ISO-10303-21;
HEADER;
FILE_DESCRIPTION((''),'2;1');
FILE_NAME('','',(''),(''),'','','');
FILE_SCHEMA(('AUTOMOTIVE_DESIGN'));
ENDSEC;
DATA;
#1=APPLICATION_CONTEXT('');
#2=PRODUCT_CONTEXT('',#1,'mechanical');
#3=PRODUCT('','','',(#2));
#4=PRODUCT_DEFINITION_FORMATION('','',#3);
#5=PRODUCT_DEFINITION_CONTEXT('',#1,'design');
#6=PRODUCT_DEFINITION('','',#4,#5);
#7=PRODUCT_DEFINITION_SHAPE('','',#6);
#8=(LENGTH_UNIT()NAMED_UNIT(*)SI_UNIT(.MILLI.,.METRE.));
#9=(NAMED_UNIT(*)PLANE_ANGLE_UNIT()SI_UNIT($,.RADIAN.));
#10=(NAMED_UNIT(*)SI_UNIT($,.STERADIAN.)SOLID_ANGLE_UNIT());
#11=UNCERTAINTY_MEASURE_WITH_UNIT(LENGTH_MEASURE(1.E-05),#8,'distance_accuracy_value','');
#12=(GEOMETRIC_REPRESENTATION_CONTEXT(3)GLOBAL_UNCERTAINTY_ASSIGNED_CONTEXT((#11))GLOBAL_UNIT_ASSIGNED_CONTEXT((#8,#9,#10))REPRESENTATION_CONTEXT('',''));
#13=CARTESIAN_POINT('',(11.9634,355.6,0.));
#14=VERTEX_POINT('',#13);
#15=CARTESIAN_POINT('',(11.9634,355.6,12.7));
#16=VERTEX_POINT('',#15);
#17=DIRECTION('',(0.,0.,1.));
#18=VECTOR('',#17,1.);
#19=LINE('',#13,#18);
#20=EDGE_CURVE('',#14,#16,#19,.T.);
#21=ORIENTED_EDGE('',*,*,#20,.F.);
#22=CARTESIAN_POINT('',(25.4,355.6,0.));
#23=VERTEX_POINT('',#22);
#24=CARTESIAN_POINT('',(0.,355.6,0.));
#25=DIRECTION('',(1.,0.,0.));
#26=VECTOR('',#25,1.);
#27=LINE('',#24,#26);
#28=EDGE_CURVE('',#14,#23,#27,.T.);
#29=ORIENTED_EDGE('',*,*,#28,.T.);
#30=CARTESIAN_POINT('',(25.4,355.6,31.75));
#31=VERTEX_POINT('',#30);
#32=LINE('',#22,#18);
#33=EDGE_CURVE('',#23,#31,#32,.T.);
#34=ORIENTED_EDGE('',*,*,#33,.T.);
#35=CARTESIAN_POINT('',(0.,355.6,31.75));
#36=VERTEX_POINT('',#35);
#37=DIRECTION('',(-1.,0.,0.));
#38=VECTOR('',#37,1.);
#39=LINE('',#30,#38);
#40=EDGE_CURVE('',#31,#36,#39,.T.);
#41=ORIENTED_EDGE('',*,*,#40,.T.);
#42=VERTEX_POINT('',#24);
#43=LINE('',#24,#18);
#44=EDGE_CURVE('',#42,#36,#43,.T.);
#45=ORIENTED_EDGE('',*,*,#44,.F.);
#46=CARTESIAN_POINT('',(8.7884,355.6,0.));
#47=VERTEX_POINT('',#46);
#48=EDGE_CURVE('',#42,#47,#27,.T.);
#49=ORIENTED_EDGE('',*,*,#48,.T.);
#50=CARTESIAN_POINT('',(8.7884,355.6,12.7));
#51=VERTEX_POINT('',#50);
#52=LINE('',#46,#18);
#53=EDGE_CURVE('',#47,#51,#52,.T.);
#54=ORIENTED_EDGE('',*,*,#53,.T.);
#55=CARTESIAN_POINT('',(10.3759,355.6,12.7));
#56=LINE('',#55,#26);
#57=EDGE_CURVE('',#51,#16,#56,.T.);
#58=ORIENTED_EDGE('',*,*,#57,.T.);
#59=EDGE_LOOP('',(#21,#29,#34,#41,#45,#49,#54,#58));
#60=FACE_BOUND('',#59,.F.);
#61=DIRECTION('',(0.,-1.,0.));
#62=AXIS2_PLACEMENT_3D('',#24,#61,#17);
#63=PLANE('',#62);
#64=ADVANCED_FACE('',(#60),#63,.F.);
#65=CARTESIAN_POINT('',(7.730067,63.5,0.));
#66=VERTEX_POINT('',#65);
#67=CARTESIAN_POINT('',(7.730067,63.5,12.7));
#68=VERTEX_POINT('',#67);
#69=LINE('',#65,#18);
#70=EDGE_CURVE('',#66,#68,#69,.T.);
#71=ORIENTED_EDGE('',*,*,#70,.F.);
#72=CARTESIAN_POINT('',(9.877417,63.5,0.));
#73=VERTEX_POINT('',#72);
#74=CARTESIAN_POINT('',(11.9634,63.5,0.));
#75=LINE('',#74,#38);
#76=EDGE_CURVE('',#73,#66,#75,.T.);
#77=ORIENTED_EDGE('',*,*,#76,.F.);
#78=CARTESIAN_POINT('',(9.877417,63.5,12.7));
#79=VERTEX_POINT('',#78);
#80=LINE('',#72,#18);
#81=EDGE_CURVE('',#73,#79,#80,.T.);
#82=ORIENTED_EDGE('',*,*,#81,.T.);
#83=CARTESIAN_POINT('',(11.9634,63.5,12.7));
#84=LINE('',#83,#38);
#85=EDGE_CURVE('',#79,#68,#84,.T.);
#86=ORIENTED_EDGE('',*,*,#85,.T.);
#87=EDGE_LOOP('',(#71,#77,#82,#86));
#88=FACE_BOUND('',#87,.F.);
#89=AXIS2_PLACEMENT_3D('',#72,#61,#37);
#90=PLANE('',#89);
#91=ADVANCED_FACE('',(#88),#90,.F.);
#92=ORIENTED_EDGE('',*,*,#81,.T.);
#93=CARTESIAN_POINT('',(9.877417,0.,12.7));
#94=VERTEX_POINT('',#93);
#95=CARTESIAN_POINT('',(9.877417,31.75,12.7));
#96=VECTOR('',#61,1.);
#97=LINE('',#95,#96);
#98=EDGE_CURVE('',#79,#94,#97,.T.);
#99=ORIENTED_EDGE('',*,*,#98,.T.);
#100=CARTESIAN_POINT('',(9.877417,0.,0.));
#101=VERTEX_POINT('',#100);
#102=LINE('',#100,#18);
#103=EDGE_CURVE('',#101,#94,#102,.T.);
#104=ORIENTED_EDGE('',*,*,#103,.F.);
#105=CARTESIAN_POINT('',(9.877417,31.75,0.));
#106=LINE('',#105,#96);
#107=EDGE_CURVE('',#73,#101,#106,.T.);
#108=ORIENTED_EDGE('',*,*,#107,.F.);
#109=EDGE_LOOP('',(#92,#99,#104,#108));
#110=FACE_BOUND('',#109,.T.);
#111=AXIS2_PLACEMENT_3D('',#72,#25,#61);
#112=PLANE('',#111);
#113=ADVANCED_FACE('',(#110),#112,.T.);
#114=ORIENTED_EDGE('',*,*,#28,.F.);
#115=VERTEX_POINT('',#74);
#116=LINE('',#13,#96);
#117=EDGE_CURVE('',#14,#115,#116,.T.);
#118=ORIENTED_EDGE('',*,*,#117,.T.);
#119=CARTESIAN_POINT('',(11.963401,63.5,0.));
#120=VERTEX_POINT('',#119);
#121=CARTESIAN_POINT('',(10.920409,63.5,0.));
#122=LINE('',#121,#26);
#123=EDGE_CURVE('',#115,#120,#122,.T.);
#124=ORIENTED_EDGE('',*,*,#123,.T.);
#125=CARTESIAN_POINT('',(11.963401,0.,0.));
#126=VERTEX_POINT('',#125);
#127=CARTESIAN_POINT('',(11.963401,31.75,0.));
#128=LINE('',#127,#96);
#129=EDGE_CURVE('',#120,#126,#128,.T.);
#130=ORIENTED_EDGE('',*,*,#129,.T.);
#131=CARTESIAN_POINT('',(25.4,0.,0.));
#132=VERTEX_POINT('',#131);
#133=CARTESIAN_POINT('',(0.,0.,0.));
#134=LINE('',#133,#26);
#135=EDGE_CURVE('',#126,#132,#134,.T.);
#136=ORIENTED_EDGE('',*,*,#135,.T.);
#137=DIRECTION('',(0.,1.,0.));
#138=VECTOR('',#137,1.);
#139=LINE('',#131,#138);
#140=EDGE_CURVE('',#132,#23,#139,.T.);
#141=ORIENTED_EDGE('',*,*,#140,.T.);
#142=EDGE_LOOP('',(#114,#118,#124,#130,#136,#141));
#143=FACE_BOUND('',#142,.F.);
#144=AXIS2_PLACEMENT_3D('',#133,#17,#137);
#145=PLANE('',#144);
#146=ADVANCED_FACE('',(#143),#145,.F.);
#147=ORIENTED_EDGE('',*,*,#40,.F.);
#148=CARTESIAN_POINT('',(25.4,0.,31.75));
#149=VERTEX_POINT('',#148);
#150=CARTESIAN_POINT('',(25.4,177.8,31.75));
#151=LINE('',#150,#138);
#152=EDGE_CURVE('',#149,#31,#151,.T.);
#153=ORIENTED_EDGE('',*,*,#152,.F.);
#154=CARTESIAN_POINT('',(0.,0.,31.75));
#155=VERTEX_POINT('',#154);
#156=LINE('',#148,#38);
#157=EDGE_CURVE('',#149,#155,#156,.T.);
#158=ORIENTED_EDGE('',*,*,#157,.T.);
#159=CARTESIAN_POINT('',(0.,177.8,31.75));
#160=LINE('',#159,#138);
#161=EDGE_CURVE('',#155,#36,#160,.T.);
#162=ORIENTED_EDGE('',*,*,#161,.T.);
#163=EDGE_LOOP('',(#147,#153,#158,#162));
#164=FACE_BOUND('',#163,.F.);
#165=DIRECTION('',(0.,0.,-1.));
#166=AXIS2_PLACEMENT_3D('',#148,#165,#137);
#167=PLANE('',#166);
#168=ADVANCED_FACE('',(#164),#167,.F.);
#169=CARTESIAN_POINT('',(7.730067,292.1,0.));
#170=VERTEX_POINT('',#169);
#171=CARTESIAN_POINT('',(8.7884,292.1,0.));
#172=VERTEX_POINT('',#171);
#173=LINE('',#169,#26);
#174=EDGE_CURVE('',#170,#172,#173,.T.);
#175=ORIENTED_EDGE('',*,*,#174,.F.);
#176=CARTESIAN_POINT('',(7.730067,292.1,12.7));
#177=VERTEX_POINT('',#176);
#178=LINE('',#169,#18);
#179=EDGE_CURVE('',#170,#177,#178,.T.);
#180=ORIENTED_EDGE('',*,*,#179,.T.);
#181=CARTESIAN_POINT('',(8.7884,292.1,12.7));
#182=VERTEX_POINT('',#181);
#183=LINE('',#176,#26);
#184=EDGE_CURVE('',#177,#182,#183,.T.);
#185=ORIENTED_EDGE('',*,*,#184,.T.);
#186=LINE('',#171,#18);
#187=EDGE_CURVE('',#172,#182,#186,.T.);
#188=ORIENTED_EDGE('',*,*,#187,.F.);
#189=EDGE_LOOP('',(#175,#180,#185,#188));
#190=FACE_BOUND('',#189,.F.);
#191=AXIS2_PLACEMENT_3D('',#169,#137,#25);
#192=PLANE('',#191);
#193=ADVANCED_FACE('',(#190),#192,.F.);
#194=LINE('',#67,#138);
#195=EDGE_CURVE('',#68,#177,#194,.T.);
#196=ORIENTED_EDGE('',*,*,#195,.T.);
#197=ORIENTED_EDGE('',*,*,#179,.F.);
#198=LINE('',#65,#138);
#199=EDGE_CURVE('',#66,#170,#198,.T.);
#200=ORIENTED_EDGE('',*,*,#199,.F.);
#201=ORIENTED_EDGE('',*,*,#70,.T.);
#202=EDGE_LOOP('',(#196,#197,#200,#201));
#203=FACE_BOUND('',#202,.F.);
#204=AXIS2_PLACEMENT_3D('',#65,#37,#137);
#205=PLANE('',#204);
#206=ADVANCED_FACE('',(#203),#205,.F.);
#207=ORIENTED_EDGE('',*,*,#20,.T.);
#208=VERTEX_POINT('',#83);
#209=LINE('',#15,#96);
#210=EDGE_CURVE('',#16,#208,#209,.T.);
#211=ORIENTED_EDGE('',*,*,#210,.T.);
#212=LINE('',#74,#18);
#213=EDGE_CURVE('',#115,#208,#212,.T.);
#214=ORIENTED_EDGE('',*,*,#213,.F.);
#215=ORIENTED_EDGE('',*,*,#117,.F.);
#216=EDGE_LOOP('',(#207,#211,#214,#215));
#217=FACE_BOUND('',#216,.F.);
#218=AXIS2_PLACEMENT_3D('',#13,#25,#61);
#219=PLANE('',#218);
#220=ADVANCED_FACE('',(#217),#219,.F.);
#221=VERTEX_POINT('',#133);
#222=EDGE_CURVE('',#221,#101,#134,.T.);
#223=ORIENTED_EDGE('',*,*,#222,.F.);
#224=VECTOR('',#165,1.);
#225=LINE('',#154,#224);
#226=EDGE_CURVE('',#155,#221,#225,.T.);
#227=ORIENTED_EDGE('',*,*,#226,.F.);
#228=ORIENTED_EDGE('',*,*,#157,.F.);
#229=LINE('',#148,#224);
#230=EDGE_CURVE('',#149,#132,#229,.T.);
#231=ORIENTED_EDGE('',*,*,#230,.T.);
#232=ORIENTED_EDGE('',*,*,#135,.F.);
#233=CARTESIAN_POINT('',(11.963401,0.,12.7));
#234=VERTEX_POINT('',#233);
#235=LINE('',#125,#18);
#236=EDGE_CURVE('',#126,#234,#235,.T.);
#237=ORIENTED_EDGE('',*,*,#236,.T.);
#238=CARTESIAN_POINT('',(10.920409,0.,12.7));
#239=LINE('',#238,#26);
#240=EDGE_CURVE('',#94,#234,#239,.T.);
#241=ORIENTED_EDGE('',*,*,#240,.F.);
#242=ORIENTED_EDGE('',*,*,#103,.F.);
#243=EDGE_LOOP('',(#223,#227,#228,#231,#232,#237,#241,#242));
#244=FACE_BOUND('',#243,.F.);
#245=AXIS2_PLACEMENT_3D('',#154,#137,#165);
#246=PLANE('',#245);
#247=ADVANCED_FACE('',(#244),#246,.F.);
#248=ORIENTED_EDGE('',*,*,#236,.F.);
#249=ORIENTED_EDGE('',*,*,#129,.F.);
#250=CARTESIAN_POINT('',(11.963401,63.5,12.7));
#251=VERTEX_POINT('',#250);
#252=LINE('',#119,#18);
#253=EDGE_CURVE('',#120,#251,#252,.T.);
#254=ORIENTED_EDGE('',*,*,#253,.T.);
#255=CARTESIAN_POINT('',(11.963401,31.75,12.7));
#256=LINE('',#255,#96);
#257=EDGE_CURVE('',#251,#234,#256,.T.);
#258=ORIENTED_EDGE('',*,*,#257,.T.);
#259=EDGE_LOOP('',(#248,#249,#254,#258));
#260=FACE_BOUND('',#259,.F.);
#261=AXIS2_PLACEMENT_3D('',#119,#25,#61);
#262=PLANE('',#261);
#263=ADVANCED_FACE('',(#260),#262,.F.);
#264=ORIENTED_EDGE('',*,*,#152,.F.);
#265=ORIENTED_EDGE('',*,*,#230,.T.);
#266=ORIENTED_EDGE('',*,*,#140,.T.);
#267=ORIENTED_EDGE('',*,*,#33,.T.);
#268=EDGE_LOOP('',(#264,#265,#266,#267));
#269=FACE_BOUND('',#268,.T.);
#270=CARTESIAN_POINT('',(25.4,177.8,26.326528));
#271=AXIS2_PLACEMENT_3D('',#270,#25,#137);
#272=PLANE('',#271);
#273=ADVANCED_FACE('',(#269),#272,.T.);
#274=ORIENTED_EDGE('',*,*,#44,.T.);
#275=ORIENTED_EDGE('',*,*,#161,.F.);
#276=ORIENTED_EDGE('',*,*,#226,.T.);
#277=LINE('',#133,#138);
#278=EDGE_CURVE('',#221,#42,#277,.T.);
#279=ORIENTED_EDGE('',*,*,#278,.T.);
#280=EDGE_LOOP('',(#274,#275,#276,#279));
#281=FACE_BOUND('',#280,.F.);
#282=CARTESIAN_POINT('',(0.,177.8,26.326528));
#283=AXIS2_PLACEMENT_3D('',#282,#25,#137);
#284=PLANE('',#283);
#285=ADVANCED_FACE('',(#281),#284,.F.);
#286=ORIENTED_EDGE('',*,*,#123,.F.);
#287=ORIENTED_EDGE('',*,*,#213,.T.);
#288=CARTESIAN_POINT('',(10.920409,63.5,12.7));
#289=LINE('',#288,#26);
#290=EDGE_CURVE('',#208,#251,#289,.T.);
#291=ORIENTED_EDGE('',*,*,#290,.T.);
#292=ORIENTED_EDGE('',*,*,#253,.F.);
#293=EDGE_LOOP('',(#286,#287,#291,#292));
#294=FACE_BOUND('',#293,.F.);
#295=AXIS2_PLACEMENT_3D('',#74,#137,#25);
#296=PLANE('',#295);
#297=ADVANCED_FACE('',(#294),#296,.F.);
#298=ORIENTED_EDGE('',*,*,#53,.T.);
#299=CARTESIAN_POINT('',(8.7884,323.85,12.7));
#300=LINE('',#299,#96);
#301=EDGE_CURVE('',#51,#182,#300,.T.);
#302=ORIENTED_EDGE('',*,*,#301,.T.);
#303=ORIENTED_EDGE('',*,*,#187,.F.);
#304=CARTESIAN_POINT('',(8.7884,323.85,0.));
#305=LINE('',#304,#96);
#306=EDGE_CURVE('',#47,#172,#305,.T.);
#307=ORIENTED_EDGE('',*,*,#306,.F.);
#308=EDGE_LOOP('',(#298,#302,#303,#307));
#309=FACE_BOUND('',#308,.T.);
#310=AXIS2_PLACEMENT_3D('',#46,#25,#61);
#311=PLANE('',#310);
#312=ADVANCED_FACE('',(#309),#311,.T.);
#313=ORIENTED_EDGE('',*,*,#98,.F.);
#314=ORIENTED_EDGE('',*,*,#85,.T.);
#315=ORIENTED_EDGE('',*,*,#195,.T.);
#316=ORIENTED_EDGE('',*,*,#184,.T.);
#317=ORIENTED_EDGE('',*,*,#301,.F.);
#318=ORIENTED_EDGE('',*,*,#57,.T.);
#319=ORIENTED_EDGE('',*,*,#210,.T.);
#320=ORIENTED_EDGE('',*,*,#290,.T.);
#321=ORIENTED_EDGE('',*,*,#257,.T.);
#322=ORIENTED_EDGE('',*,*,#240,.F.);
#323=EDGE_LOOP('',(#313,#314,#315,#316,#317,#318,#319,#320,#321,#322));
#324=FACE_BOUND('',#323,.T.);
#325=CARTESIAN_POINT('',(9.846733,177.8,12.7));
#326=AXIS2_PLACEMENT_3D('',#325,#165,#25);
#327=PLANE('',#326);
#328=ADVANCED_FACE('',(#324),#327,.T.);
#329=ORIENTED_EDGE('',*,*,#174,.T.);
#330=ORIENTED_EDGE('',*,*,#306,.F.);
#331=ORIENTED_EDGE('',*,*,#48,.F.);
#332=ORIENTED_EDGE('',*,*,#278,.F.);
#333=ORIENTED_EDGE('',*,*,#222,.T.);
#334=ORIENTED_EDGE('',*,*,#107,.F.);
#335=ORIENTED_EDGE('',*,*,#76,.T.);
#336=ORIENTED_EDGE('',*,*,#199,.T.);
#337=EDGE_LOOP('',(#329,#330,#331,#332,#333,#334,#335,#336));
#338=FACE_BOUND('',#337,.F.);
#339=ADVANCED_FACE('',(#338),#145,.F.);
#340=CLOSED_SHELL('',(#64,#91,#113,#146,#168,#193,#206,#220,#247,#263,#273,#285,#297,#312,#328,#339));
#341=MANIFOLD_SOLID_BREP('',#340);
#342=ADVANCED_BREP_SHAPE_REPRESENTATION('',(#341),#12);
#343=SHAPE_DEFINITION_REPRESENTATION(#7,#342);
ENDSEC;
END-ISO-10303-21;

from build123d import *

# Parameters (mm, degrees)
F1_DEPTH = 25.4
F2_W     = 3.175
F2_H     = 63.5
F2_W_2   = 2.085983
F3_DEPTH = 12.7
F4_W     = 355.6
F4_H     = 58.603869
F5_DEPTH = 25.4


with BuildPart() as f1:
    # F0 (on Right) → F1 (new body)
    with BuildSketch(Plane.YZ):
        with BuildLine():
            Line((0, 19.445715), (0, 0))
            Line((0, 0), (355.6, 0))
            Line((355.6, 0), (355.6, 19.445715))
            Line((355.6, 19.445715), (355.6, 31.75))
            Line((355.6, 31.75), (343.690661, 32.121079))
            ThreePointArc((343.690661, 32.121079), (300.578253, 39.833745), (260.35, 57.15))
            ThreePointArc((260.35, 57.15), (177.8, 76.307596), (95.25, 57.15))
            ThreePointArc((95.25, 57.15), (55.021747, 39.833745), (11.909339, 32.121079))
            Line((11.909339, 32.121079), (0, 31.75))
            Line((0, 31.75), (0, 19.445715))
        make_face()
    extrude(amount=F1_DEPTH)

    # F2 (on face) → F3 (cut)
    with BuildSketch(Plane(origin=(0, 0, 0), x_dir=(1, 0, 0), z_dir=(0, 0, -1))):
        Polygon((11.9634, -292.1), (11.9634, -63.5), (9.877417, -63.5), (7.730067, -63.5), (7.730067, -292.1), (8.7884, -292.1), align=None)
        with Locations((10.3759, -323.85)):
            Rectangle(F2_W, F2_H)
        with Locations((10.920409, -31.75)):
            Rectangle(F2_W_2, F2_H)
    extrude(amount=-F3_DEPTH, mode=Mode.SUBTRACT)

    # F4 (on face) → F5 (cut)
    with BuildSketch(Plane.YZ.offset(25.4)):
        with Locations((177.8, 61.051934)):
            Rectangle(F4_W, F4_H)
    extrude(amount=-F5_DEPTH, mode=Mode.SUBTRACT)


solid = f1.part
